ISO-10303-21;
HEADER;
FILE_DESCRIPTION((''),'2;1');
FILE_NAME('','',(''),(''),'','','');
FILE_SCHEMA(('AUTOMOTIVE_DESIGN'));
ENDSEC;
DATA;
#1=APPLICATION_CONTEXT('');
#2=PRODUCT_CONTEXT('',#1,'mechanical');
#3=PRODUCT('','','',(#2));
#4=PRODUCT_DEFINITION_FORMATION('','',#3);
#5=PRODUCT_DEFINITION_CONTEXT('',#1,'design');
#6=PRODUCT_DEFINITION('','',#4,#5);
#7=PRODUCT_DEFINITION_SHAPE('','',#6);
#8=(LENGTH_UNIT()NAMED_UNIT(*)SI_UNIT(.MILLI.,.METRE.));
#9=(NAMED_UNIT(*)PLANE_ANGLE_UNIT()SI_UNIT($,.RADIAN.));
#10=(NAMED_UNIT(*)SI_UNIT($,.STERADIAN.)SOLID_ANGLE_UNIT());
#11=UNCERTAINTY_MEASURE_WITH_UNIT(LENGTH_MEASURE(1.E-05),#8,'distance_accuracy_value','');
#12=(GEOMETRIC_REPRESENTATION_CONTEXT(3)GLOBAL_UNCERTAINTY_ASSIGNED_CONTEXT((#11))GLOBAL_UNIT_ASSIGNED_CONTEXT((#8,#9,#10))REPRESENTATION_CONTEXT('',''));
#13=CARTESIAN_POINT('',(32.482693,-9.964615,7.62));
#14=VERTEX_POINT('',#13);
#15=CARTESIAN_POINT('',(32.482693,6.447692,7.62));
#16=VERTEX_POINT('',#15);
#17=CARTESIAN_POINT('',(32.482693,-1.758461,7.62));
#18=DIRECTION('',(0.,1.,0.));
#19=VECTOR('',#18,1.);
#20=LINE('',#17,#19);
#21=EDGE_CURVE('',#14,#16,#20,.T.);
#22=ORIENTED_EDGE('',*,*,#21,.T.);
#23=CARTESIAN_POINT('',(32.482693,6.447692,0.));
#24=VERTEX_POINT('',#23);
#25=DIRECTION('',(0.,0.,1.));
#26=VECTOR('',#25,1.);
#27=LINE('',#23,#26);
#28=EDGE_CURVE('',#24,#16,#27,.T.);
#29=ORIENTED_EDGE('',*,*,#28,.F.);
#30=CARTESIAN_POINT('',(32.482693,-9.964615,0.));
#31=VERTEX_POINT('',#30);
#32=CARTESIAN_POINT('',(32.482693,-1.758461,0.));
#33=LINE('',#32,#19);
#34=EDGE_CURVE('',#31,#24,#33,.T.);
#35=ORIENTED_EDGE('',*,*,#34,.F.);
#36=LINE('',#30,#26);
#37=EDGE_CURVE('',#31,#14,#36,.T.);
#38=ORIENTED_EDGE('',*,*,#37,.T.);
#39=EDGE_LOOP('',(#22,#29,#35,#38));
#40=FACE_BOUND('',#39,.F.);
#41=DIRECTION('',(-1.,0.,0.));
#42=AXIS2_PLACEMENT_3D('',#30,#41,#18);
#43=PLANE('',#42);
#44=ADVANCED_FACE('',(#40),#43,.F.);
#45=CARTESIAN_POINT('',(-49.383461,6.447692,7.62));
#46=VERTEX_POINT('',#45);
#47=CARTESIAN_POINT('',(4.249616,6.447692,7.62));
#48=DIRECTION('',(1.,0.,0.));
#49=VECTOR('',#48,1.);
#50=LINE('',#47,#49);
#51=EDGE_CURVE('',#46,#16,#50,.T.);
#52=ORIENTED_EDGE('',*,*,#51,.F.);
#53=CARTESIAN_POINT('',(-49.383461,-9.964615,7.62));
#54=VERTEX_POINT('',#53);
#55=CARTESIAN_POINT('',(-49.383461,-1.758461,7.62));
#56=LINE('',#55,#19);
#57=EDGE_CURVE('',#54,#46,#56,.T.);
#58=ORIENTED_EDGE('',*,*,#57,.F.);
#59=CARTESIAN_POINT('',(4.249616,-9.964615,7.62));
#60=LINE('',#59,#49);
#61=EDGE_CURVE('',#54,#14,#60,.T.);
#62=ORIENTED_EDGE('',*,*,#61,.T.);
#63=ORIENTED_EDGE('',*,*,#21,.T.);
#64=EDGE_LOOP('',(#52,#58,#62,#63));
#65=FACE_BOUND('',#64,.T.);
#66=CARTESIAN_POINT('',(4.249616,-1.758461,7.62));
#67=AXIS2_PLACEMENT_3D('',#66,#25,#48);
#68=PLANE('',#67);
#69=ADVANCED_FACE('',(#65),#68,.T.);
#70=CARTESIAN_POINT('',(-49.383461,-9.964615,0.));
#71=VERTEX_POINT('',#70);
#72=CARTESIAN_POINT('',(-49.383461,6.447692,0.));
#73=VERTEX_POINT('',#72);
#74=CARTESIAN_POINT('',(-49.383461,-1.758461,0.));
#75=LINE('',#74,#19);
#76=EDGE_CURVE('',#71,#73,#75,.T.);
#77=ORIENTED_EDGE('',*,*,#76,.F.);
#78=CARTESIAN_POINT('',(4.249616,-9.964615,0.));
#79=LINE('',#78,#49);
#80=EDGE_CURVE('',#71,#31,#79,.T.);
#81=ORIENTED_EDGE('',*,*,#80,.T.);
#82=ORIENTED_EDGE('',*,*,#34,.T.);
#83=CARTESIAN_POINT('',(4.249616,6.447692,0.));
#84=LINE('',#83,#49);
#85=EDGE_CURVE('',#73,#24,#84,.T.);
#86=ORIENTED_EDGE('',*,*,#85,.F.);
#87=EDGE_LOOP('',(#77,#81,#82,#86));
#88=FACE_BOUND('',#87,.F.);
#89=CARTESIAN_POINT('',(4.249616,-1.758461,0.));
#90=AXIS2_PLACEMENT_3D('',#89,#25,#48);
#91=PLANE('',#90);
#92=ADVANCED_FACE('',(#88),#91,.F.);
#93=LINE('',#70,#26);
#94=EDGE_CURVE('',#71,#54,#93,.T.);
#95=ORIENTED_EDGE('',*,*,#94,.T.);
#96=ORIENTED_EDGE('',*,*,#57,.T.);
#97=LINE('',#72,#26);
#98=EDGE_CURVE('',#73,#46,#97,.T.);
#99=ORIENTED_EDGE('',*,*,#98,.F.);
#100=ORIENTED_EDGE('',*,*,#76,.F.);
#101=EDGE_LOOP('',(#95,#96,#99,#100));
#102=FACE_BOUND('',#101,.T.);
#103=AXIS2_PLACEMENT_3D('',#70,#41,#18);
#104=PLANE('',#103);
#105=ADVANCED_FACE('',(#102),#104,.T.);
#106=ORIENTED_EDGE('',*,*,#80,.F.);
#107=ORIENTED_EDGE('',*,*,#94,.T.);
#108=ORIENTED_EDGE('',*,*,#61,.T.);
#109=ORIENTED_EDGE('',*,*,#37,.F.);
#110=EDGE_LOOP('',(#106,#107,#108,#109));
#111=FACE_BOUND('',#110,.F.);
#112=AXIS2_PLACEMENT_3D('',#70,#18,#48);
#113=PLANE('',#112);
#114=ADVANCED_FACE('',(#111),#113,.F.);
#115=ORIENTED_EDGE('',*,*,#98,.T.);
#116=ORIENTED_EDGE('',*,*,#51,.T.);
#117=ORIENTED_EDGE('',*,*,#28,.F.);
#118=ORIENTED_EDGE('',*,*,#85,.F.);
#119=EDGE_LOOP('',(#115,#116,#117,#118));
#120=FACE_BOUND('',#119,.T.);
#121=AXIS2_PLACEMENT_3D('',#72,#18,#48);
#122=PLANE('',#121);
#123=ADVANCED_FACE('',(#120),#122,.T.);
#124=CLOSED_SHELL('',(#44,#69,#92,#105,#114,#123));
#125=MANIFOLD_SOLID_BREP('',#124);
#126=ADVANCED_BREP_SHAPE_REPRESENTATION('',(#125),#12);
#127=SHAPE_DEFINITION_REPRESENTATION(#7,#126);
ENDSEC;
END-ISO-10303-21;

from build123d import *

# Parameters (mm, degrees)
F0_W     = 107.2661541402
F0_H     = 16.4123075083
F1_DEPTH = 7.62
F2_DEPTH = 25.4


with BuildPart() as f1:
    # F0 (on Top) → F1 (new body)
    with BuildSketch(Plane.XY):
        with Locations((4.2496155947, -1.7584613524)):
            Rectangle(F0_W, F0_H)
    extrude(amount=F1_DEPTH)

    # F2 (cut): a face of the model
    f2_faces = [f1.faces().sort_by_distance(p)[0] for p in [
        (57.8826926649, -1.7584613524, 3.81),
    ]]
    extrude(f2_faces, amount=-F2_DEPTH, mode=Mode.SUBTRACT)


solid = f1.part
